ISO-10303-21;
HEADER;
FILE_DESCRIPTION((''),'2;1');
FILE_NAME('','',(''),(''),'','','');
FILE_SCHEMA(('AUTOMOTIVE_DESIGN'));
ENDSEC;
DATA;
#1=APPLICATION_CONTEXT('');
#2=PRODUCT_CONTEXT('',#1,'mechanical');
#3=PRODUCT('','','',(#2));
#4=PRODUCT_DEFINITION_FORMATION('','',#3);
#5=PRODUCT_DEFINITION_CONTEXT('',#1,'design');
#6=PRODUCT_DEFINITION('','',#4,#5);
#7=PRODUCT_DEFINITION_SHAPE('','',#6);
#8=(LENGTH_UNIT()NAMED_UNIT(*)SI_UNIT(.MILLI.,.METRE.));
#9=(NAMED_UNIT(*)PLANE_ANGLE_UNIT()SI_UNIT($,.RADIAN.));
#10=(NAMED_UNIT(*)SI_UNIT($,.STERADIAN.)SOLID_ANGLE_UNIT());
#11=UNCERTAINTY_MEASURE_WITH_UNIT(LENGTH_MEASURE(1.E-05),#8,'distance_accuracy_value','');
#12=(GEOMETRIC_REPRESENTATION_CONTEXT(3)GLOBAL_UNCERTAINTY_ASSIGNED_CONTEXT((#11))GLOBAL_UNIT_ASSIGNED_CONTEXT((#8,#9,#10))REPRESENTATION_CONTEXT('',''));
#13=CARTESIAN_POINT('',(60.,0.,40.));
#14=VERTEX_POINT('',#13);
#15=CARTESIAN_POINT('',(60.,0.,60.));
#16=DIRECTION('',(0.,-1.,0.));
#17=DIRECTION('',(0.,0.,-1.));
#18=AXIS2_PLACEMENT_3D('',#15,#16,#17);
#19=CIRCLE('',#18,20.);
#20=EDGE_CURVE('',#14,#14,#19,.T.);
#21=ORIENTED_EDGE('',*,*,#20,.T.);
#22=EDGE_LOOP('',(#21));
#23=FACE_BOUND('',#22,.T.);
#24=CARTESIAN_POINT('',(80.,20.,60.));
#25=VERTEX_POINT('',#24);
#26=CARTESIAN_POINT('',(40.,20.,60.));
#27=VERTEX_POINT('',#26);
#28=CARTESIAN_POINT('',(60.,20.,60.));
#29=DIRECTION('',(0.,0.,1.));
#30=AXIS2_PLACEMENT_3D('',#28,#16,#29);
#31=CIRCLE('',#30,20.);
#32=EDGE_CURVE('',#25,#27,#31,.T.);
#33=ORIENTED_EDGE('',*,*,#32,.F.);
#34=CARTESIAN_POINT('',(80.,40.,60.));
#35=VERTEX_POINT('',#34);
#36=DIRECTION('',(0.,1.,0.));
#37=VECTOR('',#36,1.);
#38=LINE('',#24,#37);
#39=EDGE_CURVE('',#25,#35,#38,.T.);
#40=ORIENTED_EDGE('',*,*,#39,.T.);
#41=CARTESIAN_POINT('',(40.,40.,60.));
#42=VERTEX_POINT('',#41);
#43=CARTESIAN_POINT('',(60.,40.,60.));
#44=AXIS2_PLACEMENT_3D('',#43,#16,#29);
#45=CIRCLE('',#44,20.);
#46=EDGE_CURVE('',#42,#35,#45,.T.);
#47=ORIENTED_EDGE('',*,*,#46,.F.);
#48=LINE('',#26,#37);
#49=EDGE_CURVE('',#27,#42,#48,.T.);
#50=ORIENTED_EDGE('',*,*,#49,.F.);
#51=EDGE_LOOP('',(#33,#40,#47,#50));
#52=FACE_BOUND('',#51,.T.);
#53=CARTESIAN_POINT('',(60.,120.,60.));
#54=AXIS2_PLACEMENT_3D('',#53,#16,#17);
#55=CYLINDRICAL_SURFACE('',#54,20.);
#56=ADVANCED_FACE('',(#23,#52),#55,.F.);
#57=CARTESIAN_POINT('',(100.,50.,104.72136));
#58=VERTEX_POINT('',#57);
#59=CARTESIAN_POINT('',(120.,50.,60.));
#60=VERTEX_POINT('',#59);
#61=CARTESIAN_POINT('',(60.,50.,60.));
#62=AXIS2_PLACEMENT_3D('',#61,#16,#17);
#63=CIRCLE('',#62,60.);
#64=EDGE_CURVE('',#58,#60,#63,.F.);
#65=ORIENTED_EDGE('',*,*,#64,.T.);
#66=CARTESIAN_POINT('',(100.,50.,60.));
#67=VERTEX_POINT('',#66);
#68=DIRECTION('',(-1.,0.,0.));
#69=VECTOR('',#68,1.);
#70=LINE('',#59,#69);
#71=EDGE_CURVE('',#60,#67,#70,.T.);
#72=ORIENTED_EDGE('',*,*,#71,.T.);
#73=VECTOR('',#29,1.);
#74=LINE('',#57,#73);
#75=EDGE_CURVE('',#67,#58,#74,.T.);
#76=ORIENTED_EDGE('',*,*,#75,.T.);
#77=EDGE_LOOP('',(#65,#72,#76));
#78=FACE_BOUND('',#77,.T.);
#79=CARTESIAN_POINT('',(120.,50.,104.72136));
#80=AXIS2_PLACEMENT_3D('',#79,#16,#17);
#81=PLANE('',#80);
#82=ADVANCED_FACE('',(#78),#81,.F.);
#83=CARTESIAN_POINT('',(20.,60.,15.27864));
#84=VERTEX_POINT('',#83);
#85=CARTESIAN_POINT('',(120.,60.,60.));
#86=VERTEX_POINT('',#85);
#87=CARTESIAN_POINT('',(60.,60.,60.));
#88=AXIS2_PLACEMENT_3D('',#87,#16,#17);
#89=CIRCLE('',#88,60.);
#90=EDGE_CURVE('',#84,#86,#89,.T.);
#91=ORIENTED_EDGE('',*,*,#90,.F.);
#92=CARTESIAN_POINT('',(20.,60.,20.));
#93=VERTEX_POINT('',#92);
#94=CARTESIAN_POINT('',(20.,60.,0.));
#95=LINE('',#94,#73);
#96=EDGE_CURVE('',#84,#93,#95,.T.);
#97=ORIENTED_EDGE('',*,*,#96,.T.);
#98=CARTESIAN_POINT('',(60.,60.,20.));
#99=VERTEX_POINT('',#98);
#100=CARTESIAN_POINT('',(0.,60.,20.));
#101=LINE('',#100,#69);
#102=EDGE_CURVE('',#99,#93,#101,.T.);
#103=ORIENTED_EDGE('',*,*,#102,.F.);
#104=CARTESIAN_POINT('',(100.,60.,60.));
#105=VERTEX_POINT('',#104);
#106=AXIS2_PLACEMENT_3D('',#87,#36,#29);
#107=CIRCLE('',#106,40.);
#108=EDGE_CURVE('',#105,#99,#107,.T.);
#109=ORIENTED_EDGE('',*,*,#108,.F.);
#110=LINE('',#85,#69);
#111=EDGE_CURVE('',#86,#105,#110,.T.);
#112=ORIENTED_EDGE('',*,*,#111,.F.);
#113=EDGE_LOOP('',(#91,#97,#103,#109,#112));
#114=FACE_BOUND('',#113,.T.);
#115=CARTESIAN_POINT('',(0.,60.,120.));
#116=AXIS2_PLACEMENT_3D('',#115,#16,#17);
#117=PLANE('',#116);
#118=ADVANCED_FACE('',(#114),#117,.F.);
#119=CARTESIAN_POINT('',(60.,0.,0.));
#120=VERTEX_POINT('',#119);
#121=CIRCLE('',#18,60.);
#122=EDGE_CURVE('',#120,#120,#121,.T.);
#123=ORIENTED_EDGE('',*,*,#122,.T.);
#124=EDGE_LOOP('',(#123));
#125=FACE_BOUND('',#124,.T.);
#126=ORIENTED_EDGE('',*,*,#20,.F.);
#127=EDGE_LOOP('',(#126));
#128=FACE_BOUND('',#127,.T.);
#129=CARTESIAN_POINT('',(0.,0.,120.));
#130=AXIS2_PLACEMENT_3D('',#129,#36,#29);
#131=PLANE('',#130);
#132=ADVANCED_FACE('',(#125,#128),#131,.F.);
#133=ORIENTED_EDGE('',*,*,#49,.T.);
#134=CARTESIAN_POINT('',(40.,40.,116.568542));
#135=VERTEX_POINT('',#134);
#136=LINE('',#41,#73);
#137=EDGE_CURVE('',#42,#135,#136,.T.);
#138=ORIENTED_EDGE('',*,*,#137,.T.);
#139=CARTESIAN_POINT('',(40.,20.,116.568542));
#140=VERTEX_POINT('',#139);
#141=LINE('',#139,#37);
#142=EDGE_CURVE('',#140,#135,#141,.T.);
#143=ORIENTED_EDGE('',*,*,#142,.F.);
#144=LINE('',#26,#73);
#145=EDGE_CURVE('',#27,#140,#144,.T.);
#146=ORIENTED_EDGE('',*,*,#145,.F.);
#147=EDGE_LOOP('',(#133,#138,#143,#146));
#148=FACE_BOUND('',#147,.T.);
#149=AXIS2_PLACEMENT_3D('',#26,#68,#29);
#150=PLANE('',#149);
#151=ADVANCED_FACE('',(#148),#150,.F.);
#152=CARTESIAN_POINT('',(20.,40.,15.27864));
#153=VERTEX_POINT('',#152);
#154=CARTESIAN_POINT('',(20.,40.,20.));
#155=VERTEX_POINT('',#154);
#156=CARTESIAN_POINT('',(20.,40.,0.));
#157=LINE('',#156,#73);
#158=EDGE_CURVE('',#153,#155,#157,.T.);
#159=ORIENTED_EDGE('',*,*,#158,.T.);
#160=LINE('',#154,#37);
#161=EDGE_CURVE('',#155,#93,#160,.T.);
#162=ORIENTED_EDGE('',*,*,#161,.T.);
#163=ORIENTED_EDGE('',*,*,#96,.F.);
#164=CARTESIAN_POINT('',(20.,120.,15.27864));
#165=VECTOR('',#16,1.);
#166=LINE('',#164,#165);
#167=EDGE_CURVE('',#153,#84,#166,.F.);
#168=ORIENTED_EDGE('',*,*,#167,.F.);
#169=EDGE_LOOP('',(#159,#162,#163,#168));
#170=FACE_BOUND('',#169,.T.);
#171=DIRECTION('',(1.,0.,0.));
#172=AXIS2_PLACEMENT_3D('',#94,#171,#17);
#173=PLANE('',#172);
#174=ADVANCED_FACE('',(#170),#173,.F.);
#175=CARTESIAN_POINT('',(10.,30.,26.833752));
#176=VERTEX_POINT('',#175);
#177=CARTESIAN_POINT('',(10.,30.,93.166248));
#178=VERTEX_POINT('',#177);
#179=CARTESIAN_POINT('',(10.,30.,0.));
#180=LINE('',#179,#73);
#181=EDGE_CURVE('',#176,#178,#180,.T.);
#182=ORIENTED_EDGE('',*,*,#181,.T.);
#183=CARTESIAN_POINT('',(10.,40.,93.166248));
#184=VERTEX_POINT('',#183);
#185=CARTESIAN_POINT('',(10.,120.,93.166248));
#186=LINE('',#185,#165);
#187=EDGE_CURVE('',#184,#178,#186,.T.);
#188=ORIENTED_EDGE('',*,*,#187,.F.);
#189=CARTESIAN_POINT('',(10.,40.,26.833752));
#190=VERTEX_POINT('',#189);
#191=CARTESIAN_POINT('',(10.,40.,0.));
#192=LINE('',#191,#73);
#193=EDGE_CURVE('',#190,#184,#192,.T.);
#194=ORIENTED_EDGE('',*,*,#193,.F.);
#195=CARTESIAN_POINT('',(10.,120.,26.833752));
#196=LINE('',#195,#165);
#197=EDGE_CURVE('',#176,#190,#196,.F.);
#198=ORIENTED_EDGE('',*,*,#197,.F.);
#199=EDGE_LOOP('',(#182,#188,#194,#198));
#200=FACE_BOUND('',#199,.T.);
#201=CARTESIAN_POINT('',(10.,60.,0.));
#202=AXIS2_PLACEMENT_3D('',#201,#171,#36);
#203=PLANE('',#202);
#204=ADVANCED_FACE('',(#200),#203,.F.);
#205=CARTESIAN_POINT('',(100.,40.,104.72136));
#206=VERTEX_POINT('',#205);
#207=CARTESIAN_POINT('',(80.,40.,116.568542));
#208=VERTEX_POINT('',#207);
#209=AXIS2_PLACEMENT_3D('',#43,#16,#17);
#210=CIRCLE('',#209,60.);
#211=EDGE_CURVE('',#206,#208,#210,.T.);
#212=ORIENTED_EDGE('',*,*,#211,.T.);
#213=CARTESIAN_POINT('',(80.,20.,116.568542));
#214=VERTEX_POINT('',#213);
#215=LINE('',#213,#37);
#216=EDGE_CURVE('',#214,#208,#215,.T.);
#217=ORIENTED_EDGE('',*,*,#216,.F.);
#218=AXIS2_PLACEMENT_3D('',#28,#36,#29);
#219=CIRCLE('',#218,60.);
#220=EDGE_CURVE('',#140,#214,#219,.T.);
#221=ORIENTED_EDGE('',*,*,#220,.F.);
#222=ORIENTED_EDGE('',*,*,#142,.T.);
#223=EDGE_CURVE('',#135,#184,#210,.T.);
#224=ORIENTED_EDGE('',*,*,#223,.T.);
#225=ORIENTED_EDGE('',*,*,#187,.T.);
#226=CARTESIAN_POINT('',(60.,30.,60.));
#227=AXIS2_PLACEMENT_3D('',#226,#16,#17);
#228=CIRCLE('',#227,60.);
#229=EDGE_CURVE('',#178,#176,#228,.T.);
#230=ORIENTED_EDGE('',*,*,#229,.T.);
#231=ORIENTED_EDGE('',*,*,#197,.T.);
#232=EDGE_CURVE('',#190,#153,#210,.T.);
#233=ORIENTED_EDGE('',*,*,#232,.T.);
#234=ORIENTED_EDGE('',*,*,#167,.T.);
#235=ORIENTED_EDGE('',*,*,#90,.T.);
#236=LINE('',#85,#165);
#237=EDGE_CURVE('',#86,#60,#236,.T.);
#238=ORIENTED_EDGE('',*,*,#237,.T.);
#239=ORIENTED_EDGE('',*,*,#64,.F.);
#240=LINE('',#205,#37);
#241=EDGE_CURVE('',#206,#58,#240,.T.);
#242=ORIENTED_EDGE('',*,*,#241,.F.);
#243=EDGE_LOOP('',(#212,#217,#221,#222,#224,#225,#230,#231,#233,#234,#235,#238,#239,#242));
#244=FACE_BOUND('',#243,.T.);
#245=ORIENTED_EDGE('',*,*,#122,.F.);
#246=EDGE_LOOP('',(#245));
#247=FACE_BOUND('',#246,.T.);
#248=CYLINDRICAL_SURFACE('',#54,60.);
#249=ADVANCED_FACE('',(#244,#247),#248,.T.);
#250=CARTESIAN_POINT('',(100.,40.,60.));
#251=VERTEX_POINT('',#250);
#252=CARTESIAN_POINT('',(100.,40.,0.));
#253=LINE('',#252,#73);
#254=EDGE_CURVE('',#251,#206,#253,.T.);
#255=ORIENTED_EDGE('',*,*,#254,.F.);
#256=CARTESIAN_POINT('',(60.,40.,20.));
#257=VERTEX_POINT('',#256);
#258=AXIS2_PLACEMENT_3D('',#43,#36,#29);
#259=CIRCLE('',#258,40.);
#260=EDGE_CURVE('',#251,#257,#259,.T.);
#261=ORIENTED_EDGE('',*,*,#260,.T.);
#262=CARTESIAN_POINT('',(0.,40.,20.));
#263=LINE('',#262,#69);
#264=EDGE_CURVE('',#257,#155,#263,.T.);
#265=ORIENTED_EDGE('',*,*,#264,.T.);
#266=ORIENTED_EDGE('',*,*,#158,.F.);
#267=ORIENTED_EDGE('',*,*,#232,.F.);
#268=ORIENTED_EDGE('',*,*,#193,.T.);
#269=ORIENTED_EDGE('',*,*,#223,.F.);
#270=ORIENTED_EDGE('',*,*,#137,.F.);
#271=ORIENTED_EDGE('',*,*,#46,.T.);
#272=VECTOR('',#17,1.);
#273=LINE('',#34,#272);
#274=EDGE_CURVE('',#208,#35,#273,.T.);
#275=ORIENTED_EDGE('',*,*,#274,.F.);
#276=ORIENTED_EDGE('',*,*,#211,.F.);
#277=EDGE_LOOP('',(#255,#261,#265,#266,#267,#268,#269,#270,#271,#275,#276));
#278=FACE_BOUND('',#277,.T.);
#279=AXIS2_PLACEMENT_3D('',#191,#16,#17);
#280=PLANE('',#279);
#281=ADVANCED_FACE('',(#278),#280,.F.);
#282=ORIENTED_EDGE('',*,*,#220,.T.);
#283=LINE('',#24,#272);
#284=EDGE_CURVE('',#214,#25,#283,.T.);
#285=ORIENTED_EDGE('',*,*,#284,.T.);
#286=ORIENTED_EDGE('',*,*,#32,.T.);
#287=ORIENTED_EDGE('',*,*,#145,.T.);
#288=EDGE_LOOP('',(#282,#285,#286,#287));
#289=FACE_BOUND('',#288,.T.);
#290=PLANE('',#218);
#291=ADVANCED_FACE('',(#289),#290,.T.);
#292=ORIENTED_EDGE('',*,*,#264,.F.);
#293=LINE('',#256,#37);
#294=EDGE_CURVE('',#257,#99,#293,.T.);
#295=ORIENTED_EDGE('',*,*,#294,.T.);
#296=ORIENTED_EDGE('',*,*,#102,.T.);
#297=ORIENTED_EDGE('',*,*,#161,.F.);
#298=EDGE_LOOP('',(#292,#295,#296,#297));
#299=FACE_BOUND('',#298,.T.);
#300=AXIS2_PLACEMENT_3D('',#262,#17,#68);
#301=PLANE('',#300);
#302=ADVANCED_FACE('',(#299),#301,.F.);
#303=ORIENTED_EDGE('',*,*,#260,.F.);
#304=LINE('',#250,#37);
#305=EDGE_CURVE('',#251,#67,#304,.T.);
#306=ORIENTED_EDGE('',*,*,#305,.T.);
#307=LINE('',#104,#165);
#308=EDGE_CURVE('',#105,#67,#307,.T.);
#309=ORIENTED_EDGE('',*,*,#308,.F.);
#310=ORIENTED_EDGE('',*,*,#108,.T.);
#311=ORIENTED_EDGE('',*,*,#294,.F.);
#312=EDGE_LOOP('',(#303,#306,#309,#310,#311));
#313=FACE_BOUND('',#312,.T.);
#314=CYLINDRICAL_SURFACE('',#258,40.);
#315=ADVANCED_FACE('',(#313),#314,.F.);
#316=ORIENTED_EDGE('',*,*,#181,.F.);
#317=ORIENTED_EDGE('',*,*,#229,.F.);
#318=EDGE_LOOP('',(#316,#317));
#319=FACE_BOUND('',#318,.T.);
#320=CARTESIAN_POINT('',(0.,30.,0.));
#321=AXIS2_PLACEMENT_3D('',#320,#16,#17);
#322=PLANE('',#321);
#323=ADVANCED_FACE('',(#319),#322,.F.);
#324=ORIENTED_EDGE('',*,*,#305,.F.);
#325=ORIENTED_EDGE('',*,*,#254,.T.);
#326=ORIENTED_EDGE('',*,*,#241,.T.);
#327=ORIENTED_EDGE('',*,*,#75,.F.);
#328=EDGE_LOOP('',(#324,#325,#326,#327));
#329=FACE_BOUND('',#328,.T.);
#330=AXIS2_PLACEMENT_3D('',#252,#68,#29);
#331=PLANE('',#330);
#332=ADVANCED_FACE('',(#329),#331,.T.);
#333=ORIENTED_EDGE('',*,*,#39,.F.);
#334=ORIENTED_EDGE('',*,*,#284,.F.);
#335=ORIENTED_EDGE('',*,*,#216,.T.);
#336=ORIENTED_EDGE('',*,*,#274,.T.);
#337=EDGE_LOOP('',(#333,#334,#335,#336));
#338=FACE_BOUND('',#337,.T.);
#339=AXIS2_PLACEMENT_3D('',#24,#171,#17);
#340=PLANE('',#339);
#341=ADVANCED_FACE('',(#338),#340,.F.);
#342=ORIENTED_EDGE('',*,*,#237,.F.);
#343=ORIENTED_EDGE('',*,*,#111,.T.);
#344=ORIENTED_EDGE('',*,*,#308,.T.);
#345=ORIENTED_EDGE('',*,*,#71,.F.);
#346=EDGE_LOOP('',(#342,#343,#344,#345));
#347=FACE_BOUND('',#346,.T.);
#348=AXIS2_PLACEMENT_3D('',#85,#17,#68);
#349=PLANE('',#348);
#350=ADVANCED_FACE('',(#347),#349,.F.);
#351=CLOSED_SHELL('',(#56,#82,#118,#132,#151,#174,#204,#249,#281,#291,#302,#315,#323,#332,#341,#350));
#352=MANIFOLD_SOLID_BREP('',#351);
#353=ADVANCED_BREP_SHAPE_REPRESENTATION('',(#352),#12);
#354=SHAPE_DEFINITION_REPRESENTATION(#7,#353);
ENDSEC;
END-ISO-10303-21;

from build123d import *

# Parameters (mm, degrees)
SKETCH1_W           = 120
SKETCH1_H           = 60
BOSS_EXTRUDE1_DEPTH = 120
SKETCH2_W           = 10
SKETCH2_H           = 30
CUT_EXTRUDE1_DEPTH  = 120
SKETCH3_W           = 10
SKETCH3_H           = 20
CUT_EXTRUDE2_DEPTH  = 120
CUT_EXTRUDE3_DEPTH  = 120
SKETCH6_R           = 20
CUT_EXTRUDE4_DEPTH  = 120
CUT_EXTRUDE5_DEPTH  = 20
CUT_EXTRUDE8_DEPTH  = 20
SKETCH9_W           = 15
SKETCH9_H           = 10
CUT_EXTRUDE10_DEPTH = 20
SKETCH10_W          = 29.72135955
SKETCH10_H          = 10
CUT_EXTRUDE11_DEPTH = 20
CUT_EXTRUDE12_DEPTH = 20
SKETCH12_W          = 40
SKETCH12_H          = 20
CUT_EXTRUDE15_DEPTH = 20
SKETCH14_W          = 20
SKETCH14_H          = 40
BOSS_EXTRUDE6_DEPTH = 20


with BuildPart() as part:
    # Sketch1 → Boss-Extrude1 (new body)
    with BuildSketch(Plane.XY):
        with Locations((60, 30)):
            Rectangle(SKETCH1_W, SKETCH1_H)
    extrude(amount=BOSS_EXTRUDE1_DEPTH)

    # Sketch2 → Cut-Extrude1 (cut)
    with BuildSketch(Plane.XY.offset(120)):
        with Locations((5, 45)):
            Rectangle(SKETCH2_W, SKETCH2_H)
    extrude(amount=-CUT_EXTRUDE1_DEPTH, mode=Mode.SUBTRACT)

    # Sketch3 → Cut-Extrude2 (cut)
    with BuildSketch(Plane.XY.offset(120)):
        with Locations((15, 50)):
            Rectangle(SKETCH3_W, SKETCH3_H)
    extrude(amount=-CUT_EXTRUDE2_DEPTH, mode=Mode.SUBTRACT)

    # Sketch5 → Cut-Extrude3 (cut)
    with BuildSketch(Plane.XZ):
        with BuildLine():
            Line((60, 120), (0, 120))
            Line((0, 120), (0, 60))
            ThreePointArc((0, 60), (17.573593129, 102.426406871), (60, 120))
        make_face()
        with BuildLine():
            Line((120, 120), (60, 120))
            ThreePointArc((60, 120), (102.426406871, 102.426406871), (120, 60))
            Line((120, 60), (120, 120))
        make_face()
        with BuildLine():
            ThreePointArc((120, 60), (102.426406871, 17.573593129), (60, 0))
            Line((60, 0), (120, 0))
            Line((120, 0), (120, 60))
        make_face()
        with BuildLine():
            ThreePointArc((60, 0), (17.573593129, 17.573593129), (0, 60))
            Line((0, 60), (0, 0))
            Line((0, 0), (60, 0))
        make_face()
    extrude(amount=-CUT_EXTRUDE3_DEPTH, mode=Mode.SUBTRACT)

    # Sketch6 → Cut-Extrude4 (cut)
    with BuildSketch(Plane(origin=(0, 0, 0), x_dir=(-1, 0, 0), z_dir=(0, -1, 0))):
        with Locations((-60, -60)):
            Circle(SKETCH6_R)
    extrude(amount=-CUT_EXTRUDE4_DEPTH, mode=Mode.SUBTRACT)

    # Sketch7 → Cut-Extrude5 (cut)
    with BuildSketch(Plane(origin=(0, 60, 0), x_dir=(1, 0, 0), z_dir=(0, 1, 0))):
        with BuildLine():
            Line((40, -60), (40, -116.568542495))
            ThreePointArc((40, -116.568542495), (60, -120), (80, -116.568542495))
            Line((80, -116.568542495), (80, -60))
            ThreePointArc((80, -60), (60, -80), (40, -60))
        make_face()
    extrude(amount=-CUT_EXTRUDE5_DEPTH, mode=Mode.SUBTRACT)

    # Sketch8 → Cut-Extrude8 (cut)
    with BuildSketch(Plane(origin=(0, 60, 0), x_dir=(1, 0, 0), z_dir=(0, 1, 0))):
        with BuildLine():
            ThreePointArc((100, -60), (88.284271247, -31.715728753), (60, -20))
            Line((60, -20), (20, -20))
            Line((20, -20), (20, -104.72135955))
            ThreePointArc((20, -104.72135955), (29.420776074, -111.622776602), (40, -116.568542495))
            Line((40, -116.568542495), (40, -60))
            ThreePointArc((40, -60), (60, -40), (80, -60))
            Line((80, -60), (80, -116.568542495))
            ThreePointArc((80, -116.568542495), (90.579223926, -111.622776602), (100, -104.72135955))
            Line((100, -104.72135955), (100, -60))
        make_face()
    extrude(amount=-CUT_EXTRUDE8_DEPTH, mode=Mode.SUBTRACT)

    # Sketch9 → Cut-Extrude10 (cut)
    with BuildSketch(Plane.ZY.offset(-100)):
        with Locations((97.22135955, 55)):
            Rectangle(SKETCH9_W, SKETCH9_H)
    extrude(amount=-CUT_EXTRUDE10_DEPTH, mode=Mode.SUBTRACT)

    # Sketch10 → Cut-Extrude11 (cut)
    with BuildSketch(Plane.ZY.offset(-100)):
        with Locations((74.860679775, 55)):
            Rectangle(SKETCH10_W, SKETCH10_H)
    extrude(amount=-CUT_EXTRUDE11_DEPTH, mode=Mode.SUBTRACT)

    # Sketch11 → Cut-Extrude12 (cut)
    with BuildSketch(Plane(origin=(0, 40, 0), x_dir=(1, 0, 0), z_dir=(0, 1, 0))):
        with BuildLine():
            Line((40, -60), (40, -116.568542495))
            ThreePointArc((40, -116.568542495), (60, -120), (80, -116.568542495))
            Line((80, -116.568542495), (80, -60))
            ThreePointArc((80, -60), (60, -80), (40, -60))
        make_face()
    extrude(amount=-CUT_EXTRUDE12_DEPTH, mode=Mode.SUBTRACT)

    # Sketch12 → Cut-Extrude15 (cut)
    with BuildSketch(Plane(origin=(40, 0, 0), x_dir=(0, 0, -1), z_dir=(1, 0, 0))):
        with Locations((-60, 30)):
            Rectangle(SKETCH12_W, SKETCH12_H)
    extrude(amount=-CUT_EXTRUDE15_DEPTH, mode=Mode.SUBTRACT)

    # Sketch14 → Boss-Extrude6 (add)
    with BuildSketch(Plane(origin=(0, 40, 0), x_dir=(1, 0, 0), z_dir=(0, 1, 0))):
        with Locations((30, -60)):
            Rectangle(SKETCH14_W, SKETCH14_H)
    extrude(amount=-BOSS_EXTRUDE6_DEPTH)


solid = part.part
